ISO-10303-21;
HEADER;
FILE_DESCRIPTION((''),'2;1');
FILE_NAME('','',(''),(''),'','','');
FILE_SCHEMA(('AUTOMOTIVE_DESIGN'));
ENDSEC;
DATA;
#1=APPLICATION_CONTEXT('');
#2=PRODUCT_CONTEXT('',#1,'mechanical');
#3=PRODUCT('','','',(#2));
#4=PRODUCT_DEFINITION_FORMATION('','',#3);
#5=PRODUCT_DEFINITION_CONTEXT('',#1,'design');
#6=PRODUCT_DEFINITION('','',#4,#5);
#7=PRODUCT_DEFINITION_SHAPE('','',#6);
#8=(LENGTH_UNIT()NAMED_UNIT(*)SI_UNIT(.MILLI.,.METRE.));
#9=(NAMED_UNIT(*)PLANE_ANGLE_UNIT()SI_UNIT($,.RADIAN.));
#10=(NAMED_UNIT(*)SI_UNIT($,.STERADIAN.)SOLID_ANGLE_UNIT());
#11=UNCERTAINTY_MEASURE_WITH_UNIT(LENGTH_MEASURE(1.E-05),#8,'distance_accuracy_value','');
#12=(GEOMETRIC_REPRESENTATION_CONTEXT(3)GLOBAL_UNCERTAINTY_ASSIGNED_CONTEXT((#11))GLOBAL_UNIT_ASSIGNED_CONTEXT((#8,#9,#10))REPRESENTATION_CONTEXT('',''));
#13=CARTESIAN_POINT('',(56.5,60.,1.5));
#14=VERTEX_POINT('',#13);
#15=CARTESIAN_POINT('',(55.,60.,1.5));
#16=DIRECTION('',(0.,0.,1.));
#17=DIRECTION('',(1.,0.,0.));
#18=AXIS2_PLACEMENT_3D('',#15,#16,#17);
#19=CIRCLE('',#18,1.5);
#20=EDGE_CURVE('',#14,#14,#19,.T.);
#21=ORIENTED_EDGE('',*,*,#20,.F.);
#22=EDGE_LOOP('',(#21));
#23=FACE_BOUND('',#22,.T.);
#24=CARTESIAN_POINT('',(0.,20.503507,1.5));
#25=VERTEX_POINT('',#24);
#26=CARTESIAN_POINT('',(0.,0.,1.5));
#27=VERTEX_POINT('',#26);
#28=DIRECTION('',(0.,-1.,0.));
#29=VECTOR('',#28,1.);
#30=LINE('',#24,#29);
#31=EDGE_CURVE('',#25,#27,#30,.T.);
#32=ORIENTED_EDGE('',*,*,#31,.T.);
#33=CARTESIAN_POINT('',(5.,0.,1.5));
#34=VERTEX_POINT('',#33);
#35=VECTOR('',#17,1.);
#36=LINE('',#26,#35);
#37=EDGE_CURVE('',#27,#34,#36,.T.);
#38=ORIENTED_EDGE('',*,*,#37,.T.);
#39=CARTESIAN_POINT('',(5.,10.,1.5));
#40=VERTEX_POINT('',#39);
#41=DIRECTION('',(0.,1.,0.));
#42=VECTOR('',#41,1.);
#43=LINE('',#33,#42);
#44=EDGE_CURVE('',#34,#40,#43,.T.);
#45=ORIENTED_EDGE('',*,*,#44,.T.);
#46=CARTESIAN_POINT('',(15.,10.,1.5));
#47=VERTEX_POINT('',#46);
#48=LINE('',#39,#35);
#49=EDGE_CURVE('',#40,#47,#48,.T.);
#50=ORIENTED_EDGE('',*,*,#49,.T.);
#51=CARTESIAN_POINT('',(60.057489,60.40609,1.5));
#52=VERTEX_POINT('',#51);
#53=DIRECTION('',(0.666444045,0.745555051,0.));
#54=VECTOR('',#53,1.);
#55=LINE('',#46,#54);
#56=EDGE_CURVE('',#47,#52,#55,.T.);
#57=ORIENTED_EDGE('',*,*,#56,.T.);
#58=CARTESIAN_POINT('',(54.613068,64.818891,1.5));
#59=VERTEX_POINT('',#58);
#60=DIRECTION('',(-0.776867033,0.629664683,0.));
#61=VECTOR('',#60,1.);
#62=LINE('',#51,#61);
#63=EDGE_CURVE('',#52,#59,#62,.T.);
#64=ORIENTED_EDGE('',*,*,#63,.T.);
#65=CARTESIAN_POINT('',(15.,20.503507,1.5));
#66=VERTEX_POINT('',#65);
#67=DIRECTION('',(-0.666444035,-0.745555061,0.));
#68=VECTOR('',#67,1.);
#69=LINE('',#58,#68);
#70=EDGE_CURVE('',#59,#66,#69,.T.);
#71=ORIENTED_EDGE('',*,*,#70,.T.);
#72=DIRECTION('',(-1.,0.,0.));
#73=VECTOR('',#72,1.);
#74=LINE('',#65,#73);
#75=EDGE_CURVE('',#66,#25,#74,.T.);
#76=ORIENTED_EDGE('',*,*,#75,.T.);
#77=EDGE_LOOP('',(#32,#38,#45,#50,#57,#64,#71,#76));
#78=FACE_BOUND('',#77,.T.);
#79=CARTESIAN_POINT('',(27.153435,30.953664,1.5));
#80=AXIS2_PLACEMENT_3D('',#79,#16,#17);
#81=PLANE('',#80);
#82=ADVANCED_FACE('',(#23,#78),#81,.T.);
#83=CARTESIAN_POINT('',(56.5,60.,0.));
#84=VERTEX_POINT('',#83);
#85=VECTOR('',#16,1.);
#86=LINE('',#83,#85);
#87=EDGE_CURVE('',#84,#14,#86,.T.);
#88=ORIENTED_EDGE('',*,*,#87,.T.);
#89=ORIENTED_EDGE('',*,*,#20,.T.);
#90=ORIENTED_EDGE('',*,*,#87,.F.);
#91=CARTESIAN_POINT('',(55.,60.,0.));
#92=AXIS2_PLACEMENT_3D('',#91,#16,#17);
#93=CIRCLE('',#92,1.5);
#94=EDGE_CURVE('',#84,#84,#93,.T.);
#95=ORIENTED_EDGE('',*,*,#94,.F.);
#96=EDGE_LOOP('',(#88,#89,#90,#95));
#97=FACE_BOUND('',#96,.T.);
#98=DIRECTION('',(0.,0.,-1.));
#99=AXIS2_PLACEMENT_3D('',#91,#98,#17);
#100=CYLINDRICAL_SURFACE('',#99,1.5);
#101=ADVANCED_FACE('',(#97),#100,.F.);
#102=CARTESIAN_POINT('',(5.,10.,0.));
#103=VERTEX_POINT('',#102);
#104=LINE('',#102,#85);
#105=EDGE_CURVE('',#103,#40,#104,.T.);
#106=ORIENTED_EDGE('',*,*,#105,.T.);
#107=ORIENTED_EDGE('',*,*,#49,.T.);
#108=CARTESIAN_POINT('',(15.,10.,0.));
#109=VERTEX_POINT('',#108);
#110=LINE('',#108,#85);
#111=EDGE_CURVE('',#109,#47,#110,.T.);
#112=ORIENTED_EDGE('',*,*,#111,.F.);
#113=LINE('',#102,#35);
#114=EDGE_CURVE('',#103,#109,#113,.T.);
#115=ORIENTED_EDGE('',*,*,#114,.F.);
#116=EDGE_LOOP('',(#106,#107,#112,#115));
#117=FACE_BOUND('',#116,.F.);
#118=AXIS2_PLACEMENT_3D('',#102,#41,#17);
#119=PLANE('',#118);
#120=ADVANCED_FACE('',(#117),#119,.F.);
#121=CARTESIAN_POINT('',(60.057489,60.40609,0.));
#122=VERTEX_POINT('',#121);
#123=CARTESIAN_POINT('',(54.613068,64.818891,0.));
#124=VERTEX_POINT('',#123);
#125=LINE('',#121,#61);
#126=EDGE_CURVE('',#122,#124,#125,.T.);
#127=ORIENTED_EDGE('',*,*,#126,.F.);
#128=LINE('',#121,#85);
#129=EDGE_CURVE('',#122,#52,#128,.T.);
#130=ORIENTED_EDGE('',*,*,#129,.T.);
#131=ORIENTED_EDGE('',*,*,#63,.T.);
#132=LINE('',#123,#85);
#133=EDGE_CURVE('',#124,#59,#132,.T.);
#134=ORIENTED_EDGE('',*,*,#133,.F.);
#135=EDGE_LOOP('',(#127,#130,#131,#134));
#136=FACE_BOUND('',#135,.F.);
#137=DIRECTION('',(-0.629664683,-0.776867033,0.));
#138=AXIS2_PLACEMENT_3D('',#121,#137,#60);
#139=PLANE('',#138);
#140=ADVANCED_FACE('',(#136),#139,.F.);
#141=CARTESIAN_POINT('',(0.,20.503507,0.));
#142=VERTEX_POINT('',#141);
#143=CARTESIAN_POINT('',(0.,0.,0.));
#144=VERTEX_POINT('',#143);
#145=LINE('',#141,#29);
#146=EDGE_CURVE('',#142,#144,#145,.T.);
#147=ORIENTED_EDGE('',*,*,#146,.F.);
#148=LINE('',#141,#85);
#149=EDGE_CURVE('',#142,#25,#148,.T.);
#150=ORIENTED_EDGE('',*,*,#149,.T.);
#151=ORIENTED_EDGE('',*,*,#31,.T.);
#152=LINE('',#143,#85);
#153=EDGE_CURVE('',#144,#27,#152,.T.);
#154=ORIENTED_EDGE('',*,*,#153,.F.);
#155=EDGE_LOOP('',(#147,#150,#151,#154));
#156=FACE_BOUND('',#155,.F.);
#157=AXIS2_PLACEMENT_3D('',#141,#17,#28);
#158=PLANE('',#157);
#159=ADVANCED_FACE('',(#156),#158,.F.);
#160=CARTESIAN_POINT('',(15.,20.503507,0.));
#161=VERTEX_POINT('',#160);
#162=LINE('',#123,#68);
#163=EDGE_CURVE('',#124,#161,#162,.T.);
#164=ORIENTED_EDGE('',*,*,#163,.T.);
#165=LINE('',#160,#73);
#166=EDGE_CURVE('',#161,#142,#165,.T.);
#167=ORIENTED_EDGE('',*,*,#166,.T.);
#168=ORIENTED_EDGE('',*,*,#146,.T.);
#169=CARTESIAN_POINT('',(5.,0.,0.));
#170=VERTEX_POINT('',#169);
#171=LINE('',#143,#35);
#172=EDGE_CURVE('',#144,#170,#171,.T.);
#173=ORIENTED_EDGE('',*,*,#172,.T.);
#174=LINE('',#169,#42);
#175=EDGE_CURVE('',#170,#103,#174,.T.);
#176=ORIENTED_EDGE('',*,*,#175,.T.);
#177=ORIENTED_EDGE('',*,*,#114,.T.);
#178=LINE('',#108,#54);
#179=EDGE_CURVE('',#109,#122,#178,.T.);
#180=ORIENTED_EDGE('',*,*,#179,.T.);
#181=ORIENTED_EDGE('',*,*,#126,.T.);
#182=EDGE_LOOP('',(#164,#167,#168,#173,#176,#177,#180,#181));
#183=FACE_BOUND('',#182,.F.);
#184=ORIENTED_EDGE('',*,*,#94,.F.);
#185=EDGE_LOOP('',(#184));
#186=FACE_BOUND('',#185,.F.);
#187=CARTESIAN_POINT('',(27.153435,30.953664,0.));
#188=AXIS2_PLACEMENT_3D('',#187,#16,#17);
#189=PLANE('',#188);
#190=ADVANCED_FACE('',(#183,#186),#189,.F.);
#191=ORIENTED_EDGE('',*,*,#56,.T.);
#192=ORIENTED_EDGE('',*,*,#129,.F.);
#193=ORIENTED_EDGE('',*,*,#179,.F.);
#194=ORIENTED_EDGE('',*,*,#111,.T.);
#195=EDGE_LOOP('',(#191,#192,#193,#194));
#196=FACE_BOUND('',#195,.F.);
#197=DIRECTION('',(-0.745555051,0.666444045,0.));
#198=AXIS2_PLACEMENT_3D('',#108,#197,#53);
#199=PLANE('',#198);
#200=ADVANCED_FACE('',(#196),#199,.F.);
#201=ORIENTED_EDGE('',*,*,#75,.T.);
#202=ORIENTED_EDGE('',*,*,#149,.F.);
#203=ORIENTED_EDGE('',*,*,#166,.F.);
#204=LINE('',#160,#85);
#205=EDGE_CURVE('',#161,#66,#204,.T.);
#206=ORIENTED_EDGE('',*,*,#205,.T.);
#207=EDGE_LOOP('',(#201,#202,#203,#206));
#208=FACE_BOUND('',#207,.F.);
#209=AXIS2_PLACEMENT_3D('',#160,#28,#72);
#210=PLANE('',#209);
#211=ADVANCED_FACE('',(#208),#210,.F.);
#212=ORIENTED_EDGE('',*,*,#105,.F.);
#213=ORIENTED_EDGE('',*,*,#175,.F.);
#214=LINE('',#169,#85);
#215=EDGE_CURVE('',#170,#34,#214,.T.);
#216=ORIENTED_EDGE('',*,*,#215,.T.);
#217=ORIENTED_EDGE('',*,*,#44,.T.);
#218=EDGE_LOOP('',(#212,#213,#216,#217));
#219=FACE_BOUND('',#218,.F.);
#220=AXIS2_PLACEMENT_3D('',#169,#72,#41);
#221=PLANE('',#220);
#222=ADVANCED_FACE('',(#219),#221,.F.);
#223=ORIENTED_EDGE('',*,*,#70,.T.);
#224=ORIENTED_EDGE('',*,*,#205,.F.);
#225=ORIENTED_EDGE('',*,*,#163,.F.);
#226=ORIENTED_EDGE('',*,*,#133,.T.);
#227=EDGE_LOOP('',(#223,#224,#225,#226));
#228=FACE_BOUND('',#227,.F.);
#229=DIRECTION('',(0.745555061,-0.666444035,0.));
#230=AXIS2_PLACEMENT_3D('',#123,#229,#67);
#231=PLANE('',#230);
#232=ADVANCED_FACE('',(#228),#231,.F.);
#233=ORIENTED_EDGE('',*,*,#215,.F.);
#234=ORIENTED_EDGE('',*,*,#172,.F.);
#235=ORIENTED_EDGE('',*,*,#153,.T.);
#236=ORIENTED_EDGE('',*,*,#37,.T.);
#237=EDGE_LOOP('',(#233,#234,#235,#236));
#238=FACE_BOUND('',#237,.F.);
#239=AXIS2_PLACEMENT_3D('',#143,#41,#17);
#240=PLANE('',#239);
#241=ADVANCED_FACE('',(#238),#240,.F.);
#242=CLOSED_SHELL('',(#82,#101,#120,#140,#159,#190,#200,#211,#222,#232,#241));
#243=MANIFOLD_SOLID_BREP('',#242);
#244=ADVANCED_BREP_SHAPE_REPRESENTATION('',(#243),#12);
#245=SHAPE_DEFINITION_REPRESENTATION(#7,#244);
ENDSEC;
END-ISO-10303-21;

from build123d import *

# Parameters (mm, degrees)
F0_R     = 1.5
F1_DEPTH = 1.5


with BuildPart() as f1:
    # F0 (on Top) → F1 (new body)
    with BuildSketch(Plane.XY):
        Polygon((0, 20.503507), (0, 0), (5, 0), (5, 10), (15, 10), (60.057489, 60.40609), (54.613068, 64.818891), (15, 20.503507), align=None)
        with Locations((55, 60)):
            Circle(F0_R, mode=Mode.SUBTRACT)
    extrude(amount=F1_DEPTH)


solid = f1.part
